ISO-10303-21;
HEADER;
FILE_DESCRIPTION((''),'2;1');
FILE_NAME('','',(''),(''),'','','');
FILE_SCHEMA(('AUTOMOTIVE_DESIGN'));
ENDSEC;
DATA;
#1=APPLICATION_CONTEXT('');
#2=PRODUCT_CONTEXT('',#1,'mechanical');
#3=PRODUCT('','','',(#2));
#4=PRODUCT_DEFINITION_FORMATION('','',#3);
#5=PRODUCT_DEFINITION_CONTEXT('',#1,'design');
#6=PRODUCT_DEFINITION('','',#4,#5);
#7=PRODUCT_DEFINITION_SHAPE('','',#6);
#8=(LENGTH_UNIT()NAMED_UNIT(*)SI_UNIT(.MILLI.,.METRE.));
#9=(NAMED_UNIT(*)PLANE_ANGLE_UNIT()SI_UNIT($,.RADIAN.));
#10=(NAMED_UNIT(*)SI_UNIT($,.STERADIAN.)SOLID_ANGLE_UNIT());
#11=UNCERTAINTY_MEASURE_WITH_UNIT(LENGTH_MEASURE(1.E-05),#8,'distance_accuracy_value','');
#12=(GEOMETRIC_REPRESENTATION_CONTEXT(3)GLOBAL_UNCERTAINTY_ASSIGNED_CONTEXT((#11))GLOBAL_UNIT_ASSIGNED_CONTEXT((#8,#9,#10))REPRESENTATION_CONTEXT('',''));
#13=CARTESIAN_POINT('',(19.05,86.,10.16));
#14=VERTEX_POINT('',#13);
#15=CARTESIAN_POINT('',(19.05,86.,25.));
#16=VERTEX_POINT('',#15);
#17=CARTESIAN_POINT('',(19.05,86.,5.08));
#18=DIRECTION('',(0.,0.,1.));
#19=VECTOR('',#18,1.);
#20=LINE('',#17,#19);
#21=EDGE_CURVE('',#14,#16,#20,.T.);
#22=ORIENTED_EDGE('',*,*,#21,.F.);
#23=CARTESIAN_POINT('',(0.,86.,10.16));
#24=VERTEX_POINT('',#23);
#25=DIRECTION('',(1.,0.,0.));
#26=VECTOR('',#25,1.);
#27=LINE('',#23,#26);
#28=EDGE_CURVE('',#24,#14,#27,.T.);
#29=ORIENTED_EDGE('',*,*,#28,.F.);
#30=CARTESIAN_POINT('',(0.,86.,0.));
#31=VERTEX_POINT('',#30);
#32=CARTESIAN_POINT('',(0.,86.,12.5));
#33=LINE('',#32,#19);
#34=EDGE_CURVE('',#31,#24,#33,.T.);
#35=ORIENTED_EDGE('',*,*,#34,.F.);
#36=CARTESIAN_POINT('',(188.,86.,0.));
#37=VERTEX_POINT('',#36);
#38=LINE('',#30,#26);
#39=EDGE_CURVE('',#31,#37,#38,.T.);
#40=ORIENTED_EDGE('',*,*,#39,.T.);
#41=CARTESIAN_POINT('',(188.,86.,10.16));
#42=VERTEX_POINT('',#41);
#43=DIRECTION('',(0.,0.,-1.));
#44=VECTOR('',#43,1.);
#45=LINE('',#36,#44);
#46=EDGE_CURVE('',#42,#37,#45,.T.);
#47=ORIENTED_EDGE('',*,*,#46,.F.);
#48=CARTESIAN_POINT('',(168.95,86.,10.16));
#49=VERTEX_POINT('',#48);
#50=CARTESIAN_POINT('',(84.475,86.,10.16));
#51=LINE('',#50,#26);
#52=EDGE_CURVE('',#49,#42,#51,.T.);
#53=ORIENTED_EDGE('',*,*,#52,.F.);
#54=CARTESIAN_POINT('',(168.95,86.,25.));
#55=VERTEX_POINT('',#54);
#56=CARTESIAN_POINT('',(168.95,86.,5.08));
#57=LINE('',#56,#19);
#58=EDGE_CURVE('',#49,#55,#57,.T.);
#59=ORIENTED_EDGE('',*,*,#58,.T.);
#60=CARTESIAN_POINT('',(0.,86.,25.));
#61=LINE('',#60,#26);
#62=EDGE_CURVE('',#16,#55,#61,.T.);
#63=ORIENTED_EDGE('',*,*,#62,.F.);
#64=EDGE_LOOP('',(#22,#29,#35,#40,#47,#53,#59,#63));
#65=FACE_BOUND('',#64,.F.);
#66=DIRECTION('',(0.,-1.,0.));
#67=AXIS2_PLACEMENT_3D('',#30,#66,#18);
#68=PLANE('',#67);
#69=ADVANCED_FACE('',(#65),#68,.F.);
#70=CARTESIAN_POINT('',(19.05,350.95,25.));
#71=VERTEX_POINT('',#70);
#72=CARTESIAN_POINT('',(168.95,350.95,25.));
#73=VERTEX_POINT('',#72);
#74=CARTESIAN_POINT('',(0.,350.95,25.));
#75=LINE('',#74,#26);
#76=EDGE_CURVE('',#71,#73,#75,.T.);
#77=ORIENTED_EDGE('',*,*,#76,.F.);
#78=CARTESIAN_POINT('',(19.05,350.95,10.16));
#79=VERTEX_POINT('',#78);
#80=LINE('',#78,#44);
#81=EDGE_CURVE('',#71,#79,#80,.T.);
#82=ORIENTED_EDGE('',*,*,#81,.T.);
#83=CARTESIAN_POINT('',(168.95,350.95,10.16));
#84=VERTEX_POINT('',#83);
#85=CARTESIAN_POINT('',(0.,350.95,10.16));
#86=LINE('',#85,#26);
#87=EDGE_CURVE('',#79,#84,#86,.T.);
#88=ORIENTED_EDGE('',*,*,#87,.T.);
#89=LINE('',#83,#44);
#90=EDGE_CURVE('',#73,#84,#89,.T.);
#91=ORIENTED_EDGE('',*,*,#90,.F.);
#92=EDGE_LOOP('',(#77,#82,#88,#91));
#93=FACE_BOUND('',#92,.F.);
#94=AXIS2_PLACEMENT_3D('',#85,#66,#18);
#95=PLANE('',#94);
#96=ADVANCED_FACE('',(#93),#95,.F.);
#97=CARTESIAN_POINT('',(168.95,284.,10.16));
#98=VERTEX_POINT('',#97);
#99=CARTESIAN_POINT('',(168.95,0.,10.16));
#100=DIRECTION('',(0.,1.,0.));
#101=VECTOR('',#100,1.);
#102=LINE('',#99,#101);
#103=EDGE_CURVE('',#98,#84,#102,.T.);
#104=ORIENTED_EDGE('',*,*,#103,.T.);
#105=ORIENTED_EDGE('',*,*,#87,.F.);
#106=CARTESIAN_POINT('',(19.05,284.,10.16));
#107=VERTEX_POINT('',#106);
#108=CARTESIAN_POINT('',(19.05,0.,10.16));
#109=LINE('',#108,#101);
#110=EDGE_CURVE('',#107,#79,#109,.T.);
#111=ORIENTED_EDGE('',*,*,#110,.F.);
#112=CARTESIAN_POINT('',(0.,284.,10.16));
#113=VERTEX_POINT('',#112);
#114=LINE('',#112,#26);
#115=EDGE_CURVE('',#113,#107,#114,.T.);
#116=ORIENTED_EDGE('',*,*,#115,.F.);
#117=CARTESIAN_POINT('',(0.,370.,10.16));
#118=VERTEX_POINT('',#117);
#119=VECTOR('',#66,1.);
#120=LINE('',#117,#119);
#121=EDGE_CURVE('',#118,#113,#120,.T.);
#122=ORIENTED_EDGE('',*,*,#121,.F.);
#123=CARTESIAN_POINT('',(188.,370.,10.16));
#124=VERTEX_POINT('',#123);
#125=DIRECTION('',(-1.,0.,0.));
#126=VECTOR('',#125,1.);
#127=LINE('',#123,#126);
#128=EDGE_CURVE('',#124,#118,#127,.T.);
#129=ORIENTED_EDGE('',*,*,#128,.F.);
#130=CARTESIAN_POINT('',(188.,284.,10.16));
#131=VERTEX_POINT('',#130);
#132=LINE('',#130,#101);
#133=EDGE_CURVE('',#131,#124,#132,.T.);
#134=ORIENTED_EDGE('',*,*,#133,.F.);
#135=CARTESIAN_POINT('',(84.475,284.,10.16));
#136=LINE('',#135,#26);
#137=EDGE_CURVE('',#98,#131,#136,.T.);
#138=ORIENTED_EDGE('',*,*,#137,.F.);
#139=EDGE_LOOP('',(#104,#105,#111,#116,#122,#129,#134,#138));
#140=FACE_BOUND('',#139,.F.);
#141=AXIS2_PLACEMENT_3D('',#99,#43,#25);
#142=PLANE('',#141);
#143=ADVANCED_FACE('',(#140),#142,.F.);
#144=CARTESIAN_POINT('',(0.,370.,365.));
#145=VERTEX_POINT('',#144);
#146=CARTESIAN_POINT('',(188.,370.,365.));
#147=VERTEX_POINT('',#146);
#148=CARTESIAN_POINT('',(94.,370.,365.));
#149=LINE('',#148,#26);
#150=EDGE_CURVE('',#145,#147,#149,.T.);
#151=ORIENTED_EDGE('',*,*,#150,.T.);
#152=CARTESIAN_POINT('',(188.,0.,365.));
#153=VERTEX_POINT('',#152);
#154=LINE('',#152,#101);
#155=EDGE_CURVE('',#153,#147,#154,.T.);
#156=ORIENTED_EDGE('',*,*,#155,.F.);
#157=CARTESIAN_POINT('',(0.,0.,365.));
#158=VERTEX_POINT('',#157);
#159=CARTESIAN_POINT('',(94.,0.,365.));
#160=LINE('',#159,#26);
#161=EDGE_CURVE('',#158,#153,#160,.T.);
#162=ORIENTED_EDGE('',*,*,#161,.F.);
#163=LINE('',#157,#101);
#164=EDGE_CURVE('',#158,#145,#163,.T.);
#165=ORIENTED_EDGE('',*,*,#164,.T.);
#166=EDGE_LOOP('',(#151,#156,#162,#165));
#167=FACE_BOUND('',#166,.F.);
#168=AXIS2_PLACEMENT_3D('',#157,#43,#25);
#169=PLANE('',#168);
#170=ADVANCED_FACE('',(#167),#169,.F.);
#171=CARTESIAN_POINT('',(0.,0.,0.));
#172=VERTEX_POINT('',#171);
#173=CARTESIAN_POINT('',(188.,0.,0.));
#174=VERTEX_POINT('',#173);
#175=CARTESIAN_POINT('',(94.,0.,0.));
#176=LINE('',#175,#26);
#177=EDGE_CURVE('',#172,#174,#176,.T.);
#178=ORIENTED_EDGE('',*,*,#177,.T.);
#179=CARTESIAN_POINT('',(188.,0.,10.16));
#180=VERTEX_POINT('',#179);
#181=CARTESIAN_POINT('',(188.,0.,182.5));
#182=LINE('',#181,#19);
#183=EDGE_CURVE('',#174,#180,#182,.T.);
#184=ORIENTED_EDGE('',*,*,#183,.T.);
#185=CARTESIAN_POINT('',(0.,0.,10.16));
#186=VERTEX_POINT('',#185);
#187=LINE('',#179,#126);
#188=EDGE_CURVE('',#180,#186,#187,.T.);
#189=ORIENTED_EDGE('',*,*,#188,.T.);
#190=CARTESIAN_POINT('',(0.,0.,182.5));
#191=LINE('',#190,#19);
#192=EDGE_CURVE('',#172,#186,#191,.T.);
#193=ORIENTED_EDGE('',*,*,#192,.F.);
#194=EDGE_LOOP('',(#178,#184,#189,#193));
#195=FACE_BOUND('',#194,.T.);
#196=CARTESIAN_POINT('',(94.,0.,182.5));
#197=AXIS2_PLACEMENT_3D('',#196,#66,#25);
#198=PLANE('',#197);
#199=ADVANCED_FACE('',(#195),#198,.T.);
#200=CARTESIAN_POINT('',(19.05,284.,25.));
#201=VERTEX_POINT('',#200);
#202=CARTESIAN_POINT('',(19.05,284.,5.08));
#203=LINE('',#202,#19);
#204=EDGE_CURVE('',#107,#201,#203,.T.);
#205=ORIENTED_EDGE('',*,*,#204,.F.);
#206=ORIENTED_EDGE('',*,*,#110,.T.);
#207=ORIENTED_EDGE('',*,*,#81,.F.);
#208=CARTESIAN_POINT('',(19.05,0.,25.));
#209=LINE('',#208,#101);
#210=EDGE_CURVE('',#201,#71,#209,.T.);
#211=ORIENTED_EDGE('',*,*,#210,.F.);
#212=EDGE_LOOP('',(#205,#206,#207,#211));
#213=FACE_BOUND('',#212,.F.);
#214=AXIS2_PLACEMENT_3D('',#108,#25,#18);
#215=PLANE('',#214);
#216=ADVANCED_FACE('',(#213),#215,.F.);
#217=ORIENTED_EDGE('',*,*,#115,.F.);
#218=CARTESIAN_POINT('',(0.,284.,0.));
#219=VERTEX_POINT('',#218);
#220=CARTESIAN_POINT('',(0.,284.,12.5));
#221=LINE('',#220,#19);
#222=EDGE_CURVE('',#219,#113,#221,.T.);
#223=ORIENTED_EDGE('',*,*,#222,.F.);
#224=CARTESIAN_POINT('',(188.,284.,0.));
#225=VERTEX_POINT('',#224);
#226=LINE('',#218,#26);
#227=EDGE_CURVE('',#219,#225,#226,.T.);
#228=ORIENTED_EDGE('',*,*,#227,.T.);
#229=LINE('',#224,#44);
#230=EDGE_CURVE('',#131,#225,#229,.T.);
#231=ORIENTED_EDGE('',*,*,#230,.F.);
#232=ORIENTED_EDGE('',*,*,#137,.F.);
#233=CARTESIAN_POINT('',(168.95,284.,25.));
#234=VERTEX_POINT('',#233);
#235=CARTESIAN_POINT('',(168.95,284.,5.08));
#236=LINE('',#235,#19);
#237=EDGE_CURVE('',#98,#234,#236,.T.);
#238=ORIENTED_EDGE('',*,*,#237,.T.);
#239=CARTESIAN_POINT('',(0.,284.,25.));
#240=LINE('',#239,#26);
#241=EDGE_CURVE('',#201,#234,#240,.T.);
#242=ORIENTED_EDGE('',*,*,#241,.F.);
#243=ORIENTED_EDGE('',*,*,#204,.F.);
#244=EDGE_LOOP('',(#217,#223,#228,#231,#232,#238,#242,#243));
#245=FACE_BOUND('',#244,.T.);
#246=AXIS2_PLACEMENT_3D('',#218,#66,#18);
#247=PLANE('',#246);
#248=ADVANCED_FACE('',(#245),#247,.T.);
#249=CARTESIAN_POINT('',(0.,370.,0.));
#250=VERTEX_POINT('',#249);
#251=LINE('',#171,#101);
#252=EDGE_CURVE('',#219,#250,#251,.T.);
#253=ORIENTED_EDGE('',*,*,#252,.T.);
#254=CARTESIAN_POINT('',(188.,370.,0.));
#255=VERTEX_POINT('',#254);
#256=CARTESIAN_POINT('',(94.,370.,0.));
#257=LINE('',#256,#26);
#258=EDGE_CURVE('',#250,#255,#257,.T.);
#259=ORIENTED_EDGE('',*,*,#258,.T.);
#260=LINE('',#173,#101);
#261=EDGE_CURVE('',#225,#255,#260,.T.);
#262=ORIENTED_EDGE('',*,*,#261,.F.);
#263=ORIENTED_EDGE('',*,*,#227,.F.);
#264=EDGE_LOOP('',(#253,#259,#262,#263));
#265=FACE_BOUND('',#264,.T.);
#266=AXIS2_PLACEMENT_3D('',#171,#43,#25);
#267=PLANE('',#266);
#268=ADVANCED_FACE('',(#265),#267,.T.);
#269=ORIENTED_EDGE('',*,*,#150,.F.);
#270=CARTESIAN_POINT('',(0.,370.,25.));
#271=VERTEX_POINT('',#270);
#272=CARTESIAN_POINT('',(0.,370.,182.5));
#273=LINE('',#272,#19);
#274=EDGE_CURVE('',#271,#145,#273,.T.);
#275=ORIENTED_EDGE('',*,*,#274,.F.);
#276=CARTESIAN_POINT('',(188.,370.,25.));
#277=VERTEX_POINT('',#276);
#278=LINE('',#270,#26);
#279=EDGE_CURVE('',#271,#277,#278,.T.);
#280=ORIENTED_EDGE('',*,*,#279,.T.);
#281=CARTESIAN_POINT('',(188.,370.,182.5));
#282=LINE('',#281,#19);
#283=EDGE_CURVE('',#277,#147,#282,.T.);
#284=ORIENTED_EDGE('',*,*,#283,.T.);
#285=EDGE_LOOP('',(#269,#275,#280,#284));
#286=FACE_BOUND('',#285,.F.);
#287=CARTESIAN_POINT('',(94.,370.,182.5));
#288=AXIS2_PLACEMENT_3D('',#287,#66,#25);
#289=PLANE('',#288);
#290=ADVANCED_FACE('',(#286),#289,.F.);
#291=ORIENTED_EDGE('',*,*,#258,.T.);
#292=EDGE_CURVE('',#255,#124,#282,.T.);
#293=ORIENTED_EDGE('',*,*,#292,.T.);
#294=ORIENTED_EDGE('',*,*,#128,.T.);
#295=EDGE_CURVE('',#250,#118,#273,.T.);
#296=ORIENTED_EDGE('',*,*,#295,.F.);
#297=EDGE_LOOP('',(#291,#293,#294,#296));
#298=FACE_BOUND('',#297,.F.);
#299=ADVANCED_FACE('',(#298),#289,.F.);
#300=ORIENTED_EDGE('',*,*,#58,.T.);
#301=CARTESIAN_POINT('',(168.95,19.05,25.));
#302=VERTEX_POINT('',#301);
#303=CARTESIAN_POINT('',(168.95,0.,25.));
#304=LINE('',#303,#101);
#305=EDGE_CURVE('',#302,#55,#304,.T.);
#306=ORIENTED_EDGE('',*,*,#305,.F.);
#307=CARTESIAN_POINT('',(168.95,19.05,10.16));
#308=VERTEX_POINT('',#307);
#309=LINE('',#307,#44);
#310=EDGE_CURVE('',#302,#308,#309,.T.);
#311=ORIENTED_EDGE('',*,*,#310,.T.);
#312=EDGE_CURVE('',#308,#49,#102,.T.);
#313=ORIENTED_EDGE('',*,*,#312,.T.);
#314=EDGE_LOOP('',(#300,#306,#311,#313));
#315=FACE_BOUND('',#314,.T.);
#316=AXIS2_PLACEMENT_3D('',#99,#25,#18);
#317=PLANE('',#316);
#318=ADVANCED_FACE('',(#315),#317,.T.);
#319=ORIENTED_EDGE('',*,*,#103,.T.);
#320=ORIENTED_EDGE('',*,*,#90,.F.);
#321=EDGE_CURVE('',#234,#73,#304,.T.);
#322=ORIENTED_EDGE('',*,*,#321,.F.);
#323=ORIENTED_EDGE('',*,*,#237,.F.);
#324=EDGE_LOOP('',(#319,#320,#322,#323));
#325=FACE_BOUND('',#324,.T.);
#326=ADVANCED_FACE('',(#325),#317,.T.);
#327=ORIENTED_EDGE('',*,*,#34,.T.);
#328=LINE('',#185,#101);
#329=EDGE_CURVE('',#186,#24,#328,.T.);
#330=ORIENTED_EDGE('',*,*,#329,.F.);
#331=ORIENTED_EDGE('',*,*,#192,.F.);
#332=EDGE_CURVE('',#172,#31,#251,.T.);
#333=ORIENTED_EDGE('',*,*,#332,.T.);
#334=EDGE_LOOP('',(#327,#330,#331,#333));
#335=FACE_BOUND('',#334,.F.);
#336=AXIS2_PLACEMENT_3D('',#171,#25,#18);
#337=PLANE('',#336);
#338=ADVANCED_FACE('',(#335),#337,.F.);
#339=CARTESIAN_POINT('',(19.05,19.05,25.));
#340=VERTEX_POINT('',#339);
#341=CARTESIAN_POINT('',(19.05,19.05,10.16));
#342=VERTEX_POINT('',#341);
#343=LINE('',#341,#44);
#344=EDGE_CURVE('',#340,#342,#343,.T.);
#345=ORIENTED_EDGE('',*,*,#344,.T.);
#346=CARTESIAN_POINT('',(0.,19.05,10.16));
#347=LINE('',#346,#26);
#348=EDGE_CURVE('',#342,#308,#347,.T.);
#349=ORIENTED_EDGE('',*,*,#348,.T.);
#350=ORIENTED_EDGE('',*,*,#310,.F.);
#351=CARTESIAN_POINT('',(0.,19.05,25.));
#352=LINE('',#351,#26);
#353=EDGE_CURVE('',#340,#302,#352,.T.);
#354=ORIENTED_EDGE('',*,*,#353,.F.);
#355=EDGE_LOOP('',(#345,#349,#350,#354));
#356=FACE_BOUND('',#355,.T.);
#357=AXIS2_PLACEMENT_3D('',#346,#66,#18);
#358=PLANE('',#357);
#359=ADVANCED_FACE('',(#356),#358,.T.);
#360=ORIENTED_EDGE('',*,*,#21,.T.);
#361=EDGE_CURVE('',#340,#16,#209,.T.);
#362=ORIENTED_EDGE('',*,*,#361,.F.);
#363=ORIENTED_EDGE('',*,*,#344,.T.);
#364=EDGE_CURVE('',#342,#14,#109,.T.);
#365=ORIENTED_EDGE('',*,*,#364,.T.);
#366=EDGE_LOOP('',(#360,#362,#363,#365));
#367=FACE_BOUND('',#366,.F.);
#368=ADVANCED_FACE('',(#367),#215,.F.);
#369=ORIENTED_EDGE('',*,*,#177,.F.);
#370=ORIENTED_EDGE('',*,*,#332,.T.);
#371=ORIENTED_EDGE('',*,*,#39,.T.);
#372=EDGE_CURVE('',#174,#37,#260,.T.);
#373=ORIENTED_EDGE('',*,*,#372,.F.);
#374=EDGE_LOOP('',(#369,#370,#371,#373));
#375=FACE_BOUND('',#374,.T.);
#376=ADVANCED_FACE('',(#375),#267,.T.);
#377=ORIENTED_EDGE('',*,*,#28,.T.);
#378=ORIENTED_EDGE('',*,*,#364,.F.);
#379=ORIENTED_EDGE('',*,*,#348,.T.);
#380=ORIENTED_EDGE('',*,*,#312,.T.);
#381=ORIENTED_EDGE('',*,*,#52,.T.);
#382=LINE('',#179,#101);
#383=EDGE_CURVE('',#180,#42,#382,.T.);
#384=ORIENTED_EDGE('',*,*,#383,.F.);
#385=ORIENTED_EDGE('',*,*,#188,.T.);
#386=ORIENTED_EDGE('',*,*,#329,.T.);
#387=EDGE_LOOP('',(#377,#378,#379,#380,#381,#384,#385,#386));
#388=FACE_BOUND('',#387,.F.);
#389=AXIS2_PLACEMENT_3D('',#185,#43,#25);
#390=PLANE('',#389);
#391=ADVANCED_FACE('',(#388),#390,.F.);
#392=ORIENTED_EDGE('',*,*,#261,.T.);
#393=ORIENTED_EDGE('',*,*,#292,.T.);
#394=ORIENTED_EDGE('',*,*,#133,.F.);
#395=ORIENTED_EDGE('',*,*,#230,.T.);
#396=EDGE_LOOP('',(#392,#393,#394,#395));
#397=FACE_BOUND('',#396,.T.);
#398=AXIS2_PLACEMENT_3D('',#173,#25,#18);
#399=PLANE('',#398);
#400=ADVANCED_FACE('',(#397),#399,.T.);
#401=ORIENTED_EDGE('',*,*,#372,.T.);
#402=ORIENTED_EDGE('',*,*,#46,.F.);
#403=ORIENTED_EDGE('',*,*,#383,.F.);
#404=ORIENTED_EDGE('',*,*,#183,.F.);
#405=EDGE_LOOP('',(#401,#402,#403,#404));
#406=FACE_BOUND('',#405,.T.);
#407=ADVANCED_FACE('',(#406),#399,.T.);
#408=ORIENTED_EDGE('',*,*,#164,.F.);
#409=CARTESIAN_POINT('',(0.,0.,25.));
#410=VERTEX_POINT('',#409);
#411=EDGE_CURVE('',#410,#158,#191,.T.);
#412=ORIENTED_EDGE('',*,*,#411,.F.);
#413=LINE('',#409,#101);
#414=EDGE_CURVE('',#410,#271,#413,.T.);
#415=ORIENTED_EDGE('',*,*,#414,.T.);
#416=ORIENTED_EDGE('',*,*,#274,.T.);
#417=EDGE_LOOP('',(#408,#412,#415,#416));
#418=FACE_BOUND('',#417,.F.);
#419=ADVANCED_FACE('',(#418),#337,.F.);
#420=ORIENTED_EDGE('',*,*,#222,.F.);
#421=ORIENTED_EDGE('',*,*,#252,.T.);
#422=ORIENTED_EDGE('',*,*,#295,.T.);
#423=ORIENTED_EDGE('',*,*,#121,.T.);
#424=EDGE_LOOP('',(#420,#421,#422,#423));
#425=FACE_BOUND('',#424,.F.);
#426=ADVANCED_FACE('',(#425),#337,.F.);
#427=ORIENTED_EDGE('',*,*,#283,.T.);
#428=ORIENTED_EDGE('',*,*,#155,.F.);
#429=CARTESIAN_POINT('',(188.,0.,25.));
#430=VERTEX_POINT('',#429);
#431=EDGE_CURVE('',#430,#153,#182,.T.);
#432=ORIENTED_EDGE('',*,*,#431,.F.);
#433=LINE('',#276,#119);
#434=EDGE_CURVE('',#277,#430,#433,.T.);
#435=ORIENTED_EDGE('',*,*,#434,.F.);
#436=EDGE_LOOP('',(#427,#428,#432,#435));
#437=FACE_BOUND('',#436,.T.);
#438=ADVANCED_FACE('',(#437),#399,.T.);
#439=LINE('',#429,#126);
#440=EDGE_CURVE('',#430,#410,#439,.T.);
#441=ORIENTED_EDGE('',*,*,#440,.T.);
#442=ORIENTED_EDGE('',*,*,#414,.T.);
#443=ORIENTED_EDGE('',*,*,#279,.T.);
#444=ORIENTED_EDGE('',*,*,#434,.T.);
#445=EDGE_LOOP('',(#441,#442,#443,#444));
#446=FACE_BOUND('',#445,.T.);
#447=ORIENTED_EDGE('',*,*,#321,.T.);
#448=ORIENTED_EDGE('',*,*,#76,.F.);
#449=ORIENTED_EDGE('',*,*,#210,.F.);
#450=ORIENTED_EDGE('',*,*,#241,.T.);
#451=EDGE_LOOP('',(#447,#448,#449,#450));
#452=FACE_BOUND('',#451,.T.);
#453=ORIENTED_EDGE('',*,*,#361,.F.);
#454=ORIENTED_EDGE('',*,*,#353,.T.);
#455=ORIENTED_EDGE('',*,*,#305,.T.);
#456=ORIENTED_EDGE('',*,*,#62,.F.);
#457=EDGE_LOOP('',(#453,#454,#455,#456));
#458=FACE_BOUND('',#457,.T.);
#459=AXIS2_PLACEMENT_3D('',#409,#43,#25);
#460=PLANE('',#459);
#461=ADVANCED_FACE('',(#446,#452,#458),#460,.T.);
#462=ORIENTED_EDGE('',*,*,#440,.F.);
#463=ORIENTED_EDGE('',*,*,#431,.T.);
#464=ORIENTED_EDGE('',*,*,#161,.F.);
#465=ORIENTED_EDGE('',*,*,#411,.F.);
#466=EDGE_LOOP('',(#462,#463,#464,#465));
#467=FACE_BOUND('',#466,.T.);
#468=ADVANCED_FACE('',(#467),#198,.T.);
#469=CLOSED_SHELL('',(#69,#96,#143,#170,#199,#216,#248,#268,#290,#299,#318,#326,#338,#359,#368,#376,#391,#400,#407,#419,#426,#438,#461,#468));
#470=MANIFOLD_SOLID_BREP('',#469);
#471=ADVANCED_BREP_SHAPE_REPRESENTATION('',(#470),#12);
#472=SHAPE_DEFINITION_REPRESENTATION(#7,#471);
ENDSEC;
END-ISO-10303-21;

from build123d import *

# Parameters (mm, degrees)
F0_W     = 188
F0_H     = 365
F1_DEPTH = 370
F2_W     = 198
F2_H     = 25
F3_DEPTH = 188.001
F4_W     = 19.05
F4_H     = 14.84
F5_DEPTH = 370.001
F6_W     = 19.05
F6_H     = 14.84
F7_DEPTH = 188.001


with BuildPart() as f1:
    # F0 (on Front) → F1 (new body)
    with BuildSketch(Plane.XZ):
        with Locations((94, 182.5)):
            Rectangle(F0_W, F0_H)
    extrude(amount=-F1_DEPTH)

    # F2 (on face) → F3 (cut, through all)
    with BuildSketch(Plane(origin=(0, 0, 0), x_dir=(0, -1, 0), z_dir=(-1, 0, 0))):
        with Locations((-185, 12.5)):
            Rectangle(F2_W, F2_H)
    extrude(amount=-F3_DEPTH, mode=Mode.SUBTRACT)

    # F4 (on face) → F5 (cut, through all)
    with BuildSketch(Plane.XZ):
        with Locations((9.525, 17.58)):
            Rectangle(F4_W, F4_H)
        with Locations((178.475, 17.58)):
            Rectangle(F4_W, F4_H)
    extrude(amount=-F5_DEPTH, mode=Mode.SUBTRACT)

    # F6 (on face) → F7 (cut, through all)
    with BuildSketch(Plane(origin=(0, 0, 0), x_dir=(0, -1, 0), z_dir=(-1, 0, 0))):
        with Locations((-360.475, 17.58)):
            Rectangle(F6_W, F6_H)
        with Locations((-9.525, 17.58)):
            Rectangle(F6_W, F6_H)
    extrude(amount=-F7_DEPTH, mode=Mode.SUBTRACT)


solid = f1.part
